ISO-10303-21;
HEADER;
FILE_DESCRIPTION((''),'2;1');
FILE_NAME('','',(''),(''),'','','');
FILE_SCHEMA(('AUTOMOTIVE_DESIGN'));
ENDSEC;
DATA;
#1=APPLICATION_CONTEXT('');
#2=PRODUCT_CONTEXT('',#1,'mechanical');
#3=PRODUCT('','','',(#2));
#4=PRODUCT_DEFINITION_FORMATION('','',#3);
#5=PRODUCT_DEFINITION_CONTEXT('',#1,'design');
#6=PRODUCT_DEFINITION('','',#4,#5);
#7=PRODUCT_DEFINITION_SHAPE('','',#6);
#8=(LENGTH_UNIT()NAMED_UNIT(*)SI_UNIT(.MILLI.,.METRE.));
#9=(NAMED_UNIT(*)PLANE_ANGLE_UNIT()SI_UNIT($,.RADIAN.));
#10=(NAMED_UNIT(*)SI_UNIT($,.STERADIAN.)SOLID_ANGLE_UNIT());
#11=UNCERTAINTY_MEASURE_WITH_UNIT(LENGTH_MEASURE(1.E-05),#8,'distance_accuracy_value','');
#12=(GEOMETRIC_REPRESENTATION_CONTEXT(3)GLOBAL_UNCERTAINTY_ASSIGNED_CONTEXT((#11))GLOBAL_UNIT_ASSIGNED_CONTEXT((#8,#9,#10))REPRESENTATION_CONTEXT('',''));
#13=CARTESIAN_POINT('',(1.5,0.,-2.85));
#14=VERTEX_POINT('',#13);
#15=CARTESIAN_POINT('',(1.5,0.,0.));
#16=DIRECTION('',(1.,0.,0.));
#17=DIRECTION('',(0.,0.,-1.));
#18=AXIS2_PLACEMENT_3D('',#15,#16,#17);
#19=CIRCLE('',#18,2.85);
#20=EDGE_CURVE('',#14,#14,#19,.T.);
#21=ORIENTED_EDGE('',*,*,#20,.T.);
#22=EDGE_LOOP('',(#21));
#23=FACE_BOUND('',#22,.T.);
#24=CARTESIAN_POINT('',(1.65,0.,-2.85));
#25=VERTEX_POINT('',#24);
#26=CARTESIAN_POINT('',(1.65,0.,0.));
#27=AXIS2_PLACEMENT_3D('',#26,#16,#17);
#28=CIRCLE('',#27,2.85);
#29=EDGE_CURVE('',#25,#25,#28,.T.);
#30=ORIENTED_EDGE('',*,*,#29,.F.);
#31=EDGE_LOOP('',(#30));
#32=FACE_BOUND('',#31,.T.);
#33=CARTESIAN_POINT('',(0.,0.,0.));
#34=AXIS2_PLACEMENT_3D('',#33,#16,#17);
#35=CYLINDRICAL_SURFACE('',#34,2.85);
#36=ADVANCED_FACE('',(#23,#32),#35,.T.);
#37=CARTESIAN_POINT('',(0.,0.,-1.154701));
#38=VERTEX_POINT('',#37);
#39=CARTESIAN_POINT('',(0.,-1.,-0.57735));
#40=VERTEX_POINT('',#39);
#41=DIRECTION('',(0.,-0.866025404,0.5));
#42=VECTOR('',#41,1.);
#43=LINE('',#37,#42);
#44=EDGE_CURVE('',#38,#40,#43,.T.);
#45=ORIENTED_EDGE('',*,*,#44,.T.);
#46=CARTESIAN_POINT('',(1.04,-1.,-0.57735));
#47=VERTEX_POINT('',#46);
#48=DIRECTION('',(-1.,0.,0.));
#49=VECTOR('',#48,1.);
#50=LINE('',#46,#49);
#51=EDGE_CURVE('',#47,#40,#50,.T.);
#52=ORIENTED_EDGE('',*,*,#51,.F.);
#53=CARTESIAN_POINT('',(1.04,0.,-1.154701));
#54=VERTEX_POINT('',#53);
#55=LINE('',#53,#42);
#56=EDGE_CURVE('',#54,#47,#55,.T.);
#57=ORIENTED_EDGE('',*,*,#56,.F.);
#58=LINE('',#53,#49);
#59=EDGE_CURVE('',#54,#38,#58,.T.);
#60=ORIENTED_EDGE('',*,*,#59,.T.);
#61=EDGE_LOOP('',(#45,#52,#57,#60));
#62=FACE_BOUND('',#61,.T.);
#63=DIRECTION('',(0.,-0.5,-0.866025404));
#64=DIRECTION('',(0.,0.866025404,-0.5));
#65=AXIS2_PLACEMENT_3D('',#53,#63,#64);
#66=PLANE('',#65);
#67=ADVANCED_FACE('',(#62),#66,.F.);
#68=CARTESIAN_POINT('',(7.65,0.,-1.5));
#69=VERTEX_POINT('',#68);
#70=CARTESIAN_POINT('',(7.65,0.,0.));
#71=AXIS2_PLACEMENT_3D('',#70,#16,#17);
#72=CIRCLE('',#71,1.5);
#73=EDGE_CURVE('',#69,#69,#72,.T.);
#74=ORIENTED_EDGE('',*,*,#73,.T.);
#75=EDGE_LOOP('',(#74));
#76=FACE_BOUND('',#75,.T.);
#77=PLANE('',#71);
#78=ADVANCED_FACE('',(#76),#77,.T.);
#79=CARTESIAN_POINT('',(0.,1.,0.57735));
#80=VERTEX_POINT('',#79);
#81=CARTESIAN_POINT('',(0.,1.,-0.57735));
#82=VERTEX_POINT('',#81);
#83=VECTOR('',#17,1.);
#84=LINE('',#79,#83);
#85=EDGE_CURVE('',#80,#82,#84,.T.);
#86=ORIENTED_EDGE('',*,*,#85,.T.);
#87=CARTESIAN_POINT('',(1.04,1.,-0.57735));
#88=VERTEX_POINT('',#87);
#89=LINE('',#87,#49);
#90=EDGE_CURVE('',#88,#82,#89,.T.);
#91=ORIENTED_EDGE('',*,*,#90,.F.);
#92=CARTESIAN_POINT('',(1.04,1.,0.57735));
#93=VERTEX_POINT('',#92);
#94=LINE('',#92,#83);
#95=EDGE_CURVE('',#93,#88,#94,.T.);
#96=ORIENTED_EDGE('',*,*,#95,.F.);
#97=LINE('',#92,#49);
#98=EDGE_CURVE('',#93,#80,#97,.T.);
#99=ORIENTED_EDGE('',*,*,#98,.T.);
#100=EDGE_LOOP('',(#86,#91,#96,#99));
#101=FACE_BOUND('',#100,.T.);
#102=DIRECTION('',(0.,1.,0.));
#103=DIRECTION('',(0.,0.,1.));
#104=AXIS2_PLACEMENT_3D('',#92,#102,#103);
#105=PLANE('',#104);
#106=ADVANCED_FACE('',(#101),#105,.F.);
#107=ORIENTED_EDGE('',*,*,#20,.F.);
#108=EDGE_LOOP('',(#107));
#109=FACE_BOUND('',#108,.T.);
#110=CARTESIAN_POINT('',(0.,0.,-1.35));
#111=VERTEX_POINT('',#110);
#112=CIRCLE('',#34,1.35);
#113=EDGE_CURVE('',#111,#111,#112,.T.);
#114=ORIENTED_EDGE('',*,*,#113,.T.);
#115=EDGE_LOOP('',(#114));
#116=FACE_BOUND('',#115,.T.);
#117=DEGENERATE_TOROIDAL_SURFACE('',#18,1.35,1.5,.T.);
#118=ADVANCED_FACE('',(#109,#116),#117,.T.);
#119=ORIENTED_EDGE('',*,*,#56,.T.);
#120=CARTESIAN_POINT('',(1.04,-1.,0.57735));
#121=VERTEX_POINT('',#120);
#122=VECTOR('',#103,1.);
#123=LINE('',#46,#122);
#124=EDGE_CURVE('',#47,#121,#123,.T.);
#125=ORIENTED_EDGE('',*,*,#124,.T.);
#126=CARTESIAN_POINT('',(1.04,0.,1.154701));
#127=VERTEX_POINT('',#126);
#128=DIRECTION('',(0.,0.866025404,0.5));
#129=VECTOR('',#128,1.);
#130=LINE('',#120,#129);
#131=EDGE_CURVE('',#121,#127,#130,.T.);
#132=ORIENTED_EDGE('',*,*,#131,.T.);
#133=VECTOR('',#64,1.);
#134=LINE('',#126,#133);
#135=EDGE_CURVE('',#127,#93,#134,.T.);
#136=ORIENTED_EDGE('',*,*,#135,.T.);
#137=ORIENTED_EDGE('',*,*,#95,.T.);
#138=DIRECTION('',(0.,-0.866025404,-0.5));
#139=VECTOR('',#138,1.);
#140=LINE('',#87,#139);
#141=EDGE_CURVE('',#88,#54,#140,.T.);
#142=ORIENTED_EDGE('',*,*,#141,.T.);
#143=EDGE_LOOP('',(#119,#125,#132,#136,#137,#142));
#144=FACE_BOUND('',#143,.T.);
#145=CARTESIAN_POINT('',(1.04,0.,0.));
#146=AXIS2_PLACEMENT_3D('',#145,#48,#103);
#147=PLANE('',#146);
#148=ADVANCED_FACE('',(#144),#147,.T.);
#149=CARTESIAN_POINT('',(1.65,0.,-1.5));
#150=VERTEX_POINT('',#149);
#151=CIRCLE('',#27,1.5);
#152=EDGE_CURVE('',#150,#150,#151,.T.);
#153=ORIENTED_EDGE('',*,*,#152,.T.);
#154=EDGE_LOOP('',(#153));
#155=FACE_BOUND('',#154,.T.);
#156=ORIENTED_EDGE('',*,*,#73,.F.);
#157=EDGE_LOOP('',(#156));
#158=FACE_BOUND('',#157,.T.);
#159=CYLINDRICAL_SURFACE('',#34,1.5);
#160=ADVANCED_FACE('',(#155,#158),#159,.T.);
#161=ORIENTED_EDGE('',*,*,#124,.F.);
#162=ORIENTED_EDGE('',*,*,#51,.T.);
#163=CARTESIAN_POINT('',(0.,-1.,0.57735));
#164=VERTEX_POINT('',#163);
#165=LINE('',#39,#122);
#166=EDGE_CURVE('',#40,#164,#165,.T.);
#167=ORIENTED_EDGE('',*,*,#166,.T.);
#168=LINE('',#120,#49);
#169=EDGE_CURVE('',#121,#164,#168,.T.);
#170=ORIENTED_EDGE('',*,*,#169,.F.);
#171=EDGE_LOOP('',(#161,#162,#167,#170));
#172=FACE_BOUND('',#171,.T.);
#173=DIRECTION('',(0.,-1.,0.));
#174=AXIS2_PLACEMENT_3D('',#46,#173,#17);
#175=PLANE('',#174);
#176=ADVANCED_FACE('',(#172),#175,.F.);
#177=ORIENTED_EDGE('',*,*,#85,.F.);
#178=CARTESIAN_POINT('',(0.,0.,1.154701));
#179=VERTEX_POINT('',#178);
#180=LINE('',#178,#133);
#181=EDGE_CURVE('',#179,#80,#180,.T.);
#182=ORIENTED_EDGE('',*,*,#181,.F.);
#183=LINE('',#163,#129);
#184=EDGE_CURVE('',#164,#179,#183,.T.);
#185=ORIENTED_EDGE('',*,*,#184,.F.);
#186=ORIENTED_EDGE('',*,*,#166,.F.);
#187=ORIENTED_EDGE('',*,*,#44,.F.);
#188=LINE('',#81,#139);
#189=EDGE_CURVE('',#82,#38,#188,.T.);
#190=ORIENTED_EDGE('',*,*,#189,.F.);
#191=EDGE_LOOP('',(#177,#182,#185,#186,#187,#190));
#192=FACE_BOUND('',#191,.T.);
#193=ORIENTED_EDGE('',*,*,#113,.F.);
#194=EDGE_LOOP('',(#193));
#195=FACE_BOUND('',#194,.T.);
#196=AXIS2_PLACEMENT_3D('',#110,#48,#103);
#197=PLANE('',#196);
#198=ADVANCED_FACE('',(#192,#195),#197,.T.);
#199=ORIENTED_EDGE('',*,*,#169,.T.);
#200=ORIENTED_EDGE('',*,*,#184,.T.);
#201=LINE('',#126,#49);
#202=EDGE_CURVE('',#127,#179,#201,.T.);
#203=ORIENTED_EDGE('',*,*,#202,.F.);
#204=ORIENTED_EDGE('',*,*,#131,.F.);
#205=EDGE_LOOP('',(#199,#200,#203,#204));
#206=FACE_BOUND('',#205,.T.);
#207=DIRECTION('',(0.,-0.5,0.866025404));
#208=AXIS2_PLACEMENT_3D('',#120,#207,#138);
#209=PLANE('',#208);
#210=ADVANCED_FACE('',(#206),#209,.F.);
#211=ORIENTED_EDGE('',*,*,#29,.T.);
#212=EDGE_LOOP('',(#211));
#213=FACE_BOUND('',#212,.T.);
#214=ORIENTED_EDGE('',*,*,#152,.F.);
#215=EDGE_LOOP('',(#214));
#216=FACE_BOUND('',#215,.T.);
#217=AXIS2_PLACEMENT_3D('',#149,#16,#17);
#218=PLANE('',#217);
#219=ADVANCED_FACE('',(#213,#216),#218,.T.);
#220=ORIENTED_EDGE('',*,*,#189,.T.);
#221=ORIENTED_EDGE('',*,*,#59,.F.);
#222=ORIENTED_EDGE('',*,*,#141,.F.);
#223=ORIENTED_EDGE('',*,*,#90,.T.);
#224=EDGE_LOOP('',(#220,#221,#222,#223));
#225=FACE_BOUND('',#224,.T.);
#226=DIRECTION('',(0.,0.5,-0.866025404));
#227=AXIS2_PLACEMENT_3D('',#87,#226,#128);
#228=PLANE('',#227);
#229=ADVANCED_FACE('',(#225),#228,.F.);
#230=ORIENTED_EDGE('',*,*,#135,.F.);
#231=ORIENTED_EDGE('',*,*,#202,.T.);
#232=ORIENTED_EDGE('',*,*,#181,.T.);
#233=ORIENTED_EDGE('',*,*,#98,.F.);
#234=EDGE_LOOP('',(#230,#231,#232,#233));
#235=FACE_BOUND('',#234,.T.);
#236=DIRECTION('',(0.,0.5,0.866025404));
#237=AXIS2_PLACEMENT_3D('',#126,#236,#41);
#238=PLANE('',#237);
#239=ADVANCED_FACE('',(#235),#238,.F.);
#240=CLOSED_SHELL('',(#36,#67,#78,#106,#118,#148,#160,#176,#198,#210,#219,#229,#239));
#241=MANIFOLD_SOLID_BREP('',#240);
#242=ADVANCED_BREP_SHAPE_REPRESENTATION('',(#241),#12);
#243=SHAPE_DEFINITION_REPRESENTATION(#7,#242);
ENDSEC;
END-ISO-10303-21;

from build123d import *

# Parameters (mm, degrees)
CUT_EXTRUDE1_DEPTH = 1.04


with BuildPart() as part:
    # Sketch1 → Revolve1 (revolve)
    with BuildSketch(Plane(origin=(0, 0, 0), x_dir=(1, 0, 0), z_dir=(0, 1, 0))):
        with BuildLine():
            Line((0, 0), (7.65, 0))
            Line((7.65, 0), (7.65, 1.5))
            Line((7.65, 1.5), (1.65, 1.5))
            Line((1.65, 1.5), (1.65, 2.85))
            Line((1.65, 2.85), (1.5, 2.85))
            ThreePointArc((1.5, 2.85), (0.439339828, 2.410660172), (0, 1.35))
            Line((0, 1.35), (0, 0))
        make_face()
    revolve(axis=Axis((0, 0, 0), (-1, 0, 0)))

    # Sketch2 → Cut-Extrude1 (cut)
    with BuildSketch(Plane.ZY):
        Polygon((1.154700538, 0), (0.577350269, 1), (-0.577350269, 1), (-1.154700538, 0), (-0.577350269, -1), (0.577350269, -1), align=None)
    extrude(amount=-CUT_EXTRUDE1_DEPTH, mode=Mode.SUBTRACT)


solid = part.part
